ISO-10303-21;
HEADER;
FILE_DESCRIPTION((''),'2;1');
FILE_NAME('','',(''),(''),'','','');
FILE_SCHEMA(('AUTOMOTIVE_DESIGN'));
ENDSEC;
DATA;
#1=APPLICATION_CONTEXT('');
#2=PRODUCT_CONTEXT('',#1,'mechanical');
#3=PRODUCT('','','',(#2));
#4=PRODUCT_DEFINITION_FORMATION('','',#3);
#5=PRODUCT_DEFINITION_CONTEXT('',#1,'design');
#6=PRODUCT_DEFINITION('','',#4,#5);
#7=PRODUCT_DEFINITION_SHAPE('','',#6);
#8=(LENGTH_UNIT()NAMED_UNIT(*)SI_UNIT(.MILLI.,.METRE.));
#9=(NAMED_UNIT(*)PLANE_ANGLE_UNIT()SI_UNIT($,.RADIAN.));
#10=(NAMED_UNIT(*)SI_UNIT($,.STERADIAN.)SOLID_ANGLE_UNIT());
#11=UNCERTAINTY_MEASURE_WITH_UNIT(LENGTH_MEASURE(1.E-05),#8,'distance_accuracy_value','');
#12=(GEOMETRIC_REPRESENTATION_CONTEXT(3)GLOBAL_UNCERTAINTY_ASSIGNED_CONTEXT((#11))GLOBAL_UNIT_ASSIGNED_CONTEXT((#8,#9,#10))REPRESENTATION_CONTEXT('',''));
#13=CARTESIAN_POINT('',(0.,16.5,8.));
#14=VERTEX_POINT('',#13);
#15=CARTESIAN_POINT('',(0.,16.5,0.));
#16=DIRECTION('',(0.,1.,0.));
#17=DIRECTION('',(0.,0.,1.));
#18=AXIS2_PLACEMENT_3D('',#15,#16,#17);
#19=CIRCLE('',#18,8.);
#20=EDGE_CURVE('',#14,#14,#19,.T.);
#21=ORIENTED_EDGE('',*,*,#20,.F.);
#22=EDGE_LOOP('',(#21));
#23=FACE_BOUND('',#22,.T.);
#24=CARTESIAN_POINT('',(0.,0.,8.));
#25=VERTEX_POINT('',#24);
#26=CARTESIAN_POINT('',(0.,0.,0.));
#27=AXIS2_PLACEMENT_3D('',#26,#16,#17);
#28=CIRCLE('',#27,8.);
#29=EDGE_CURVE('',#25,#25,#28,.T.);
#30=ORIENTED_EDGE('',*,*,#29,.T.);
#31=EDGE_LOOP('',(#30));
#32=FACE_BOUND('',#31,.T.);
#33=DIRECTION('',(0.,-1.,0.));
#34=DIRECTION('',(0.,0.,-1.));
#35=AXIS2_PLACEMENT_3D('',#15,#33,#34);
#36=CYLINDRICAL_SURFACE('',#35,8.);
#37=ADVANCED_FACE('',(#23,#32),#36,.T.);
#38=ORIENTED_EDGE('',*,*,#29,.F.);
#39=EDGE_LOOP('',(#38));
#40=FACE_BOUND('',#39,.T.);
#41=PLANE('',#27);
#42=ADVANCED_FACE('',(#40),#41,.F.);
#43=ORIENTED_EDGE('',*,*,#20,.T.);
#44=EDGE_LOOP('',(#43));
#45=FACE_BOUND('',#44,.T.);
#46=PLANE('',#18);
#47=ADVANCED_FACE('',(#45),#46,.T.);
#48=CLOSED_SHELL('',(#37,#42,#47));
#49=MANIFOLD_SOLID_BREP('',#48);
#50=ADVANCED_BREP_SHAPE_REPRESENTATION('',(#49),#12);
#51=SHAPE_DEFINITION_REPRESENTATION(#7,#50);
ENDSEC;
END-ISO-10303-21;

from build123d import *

# Parameters (mm, degrees)
SKETCH1_R           = 8
BOSS_EXTRUDE1_DEPTH = 16.5


with BuildPart() as part:
    # Sketch1 → Boss-Extrude1 (new body)
    with BuildSketch(Plane(origin=(0, 0, 0), x_dir=(1, 0, 0), z_dir=(0, 1, 0))):
        Circle(SKETCH1_R)
    extrude(amount=BOSS_EXTRUDE1_DEPTH)


solid = part.part
